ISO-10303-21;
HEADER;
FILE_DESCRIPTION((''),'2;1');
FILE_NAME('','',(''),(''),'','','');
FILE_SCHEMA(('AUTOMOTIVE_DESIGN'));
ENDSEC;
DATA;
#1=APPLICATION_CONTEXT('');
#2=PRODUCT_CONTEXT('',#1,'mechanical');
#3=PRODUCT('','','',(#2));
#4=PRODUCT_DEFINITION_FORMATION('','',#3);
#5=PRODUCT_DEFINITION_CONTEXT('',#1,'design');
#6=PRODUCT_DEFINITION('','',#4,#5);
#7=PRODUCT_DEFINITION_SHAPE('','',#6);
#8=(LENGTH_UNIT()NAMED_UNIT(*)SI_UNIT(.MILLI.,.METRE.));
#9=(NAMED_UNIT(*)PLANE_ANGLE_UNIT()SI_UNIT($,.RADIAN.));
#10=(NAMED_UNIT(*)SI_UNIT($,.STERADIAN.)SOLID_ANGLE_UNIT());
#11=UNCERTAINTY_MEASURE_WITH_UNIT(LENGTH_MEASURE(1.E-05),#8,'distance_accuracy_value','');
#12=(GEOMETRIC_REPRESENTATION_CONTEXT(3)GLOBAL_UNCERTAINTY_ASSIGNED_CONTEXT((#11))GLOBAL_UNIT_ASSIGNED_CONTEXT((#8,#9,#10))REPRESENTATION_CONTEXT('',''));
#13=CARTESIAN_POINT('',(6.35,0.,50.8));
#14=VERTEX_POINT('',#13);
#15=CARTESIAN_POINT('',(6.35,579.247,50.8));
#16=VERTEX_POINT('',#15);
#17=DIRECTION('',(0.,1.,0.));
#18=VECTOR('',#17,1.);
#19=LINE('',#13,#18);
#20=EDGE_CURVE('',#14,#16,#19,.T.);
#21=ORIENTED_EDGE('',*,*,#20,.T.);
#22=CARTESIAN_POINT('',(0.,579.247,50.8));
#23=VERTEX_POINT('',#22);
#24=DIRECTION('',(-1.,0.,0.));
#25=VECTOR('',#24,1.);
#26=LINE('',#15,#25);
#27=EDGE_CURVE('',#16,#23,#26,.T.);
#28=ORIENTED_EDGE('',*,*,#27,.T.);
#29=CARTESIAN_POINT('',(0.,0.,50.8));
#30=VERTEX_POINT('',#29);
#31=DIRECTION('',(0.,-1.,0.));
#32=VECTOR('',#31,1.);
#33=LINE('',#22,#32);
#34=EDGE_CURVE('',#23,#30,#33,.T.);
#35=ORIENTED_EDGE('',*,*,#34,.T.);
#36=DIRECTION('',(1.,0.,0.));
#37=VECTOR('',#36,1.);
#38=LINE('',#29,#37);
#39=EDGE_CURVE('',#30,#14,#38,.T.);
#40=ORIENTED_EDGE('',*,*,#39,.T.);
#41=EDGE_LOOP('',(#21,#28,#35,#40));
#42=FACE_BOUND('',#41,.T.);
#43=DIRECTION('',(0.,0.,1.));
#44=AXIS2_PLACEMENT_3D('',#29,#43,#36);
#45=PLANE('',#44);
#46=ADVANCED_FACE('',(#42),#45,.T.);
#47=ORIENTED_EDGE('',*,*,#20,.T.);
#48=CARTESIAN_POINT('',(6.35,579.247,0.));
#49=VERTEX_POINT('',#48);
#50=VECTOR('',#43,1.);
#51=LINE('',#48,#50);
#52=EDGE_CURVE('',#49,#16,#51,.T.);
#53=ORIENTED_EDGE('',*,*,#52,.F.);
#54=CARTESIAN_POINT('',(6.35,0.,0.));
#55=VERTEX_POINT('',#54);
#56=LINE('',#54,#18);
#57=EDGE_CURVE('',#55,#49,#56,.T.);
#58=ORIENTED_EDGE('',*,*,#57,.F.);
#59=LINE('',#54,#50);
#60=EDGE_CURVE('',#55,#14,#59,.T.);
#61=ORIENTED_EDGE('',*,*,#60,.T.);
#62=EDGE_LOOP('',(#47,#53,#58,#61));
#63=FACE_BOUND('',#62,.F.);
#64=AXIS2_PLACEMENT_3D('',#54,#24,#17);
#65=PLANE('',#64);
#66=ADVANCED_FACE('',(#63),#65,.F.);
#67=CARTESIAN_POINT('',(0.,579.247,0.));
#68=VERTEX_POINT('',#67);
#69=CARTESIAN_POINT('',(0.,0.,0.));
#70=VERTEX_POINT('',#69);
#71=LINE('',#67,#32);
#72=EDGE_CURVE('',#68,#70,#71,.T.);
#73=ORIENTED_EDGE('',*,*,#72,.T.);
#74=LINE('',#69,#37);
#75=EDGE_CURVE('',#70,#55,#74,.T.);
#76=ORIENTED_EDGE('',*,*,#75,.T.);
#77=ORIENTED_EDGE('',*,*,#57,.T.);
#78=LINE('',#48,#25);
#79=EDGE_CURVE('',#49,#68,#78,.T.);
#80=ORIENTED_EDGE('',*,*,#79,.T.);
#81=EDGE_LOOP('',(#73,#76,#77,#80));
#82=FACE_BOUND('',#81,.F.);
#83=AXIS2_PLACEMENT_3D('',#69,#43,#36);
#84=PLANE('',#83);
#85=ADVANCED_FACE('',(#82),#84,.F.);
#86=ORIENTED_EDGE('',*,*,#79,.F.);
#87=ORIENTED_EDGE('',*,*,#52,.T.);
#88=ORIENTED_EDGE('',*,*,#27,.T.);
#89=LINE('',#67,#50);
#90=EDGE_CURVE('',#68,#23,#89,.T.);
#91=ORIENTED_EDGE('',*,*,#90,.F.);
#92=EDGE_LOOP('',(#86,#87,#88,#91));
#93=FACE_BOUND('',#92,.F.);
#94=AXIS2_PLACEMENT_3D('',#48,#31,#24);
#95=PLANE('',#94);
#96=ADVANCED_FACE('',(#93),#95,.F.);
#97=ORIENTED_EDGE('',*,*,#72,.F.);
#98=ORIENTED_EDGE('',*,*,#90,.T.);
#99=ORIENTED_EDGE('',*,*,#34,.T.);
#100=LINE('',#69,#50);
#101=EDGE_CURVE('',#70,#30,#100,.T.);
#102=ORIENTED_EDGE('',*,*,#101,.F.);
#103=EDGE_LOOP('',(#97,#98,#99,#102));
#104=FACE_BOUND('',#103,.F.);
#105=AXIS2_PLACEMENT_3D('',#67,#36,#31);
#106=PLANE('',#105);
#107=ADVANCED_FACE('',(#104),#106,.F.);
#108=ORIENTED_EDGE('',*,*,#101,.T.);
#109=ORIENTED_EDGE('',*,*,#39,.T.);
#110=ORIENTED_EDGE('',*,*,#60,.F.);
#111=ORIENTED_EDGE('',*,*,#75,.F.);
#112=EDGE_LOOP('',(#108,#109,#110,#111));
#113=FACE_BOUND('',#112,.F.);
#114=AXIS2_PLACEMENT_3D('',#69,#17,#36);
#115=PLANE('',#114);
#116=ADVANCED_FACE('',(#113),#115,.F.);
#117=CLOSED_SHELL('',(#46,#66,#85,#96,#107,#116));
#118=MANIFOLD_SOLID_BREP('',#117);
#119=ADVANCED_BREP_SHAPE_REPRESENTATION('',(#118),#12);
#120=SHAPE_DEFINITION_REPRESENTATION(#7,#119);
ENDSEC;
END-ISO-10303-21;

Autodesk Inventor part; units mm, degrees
ref_plane "YZ Plane" through (0, 0, 0) normal (1, 0, 0) x (0, 1, 0)
ref_plane "XZ Plane" through (0, 0, 0) normal (0, 1, 0) x (-1, 0, 0)
ref_plane "XY Plane" through (0, 0, 0) normal (0, 0, 1) x (1, 0, 0)
sketch "Sketch1" plane through (0, 0, 0) normal (0, 0, 1) x (1, 0, 0)
  line L0 (0, 0) -> (6.35, 0)
  line L1 (6.35, 0) -> (6.35, 579.247)
  line L2 (6.35, 579.247) -> (0, 579.247)
  line L3 (0, 579.247) -> (0, 0)
  dimension "d7" = 6.35
  dimension "d8" = 579.247
extrude "Extrusion2" add sketch "Sketch1" along normal blind 50.8
properties part number "armTOP"
